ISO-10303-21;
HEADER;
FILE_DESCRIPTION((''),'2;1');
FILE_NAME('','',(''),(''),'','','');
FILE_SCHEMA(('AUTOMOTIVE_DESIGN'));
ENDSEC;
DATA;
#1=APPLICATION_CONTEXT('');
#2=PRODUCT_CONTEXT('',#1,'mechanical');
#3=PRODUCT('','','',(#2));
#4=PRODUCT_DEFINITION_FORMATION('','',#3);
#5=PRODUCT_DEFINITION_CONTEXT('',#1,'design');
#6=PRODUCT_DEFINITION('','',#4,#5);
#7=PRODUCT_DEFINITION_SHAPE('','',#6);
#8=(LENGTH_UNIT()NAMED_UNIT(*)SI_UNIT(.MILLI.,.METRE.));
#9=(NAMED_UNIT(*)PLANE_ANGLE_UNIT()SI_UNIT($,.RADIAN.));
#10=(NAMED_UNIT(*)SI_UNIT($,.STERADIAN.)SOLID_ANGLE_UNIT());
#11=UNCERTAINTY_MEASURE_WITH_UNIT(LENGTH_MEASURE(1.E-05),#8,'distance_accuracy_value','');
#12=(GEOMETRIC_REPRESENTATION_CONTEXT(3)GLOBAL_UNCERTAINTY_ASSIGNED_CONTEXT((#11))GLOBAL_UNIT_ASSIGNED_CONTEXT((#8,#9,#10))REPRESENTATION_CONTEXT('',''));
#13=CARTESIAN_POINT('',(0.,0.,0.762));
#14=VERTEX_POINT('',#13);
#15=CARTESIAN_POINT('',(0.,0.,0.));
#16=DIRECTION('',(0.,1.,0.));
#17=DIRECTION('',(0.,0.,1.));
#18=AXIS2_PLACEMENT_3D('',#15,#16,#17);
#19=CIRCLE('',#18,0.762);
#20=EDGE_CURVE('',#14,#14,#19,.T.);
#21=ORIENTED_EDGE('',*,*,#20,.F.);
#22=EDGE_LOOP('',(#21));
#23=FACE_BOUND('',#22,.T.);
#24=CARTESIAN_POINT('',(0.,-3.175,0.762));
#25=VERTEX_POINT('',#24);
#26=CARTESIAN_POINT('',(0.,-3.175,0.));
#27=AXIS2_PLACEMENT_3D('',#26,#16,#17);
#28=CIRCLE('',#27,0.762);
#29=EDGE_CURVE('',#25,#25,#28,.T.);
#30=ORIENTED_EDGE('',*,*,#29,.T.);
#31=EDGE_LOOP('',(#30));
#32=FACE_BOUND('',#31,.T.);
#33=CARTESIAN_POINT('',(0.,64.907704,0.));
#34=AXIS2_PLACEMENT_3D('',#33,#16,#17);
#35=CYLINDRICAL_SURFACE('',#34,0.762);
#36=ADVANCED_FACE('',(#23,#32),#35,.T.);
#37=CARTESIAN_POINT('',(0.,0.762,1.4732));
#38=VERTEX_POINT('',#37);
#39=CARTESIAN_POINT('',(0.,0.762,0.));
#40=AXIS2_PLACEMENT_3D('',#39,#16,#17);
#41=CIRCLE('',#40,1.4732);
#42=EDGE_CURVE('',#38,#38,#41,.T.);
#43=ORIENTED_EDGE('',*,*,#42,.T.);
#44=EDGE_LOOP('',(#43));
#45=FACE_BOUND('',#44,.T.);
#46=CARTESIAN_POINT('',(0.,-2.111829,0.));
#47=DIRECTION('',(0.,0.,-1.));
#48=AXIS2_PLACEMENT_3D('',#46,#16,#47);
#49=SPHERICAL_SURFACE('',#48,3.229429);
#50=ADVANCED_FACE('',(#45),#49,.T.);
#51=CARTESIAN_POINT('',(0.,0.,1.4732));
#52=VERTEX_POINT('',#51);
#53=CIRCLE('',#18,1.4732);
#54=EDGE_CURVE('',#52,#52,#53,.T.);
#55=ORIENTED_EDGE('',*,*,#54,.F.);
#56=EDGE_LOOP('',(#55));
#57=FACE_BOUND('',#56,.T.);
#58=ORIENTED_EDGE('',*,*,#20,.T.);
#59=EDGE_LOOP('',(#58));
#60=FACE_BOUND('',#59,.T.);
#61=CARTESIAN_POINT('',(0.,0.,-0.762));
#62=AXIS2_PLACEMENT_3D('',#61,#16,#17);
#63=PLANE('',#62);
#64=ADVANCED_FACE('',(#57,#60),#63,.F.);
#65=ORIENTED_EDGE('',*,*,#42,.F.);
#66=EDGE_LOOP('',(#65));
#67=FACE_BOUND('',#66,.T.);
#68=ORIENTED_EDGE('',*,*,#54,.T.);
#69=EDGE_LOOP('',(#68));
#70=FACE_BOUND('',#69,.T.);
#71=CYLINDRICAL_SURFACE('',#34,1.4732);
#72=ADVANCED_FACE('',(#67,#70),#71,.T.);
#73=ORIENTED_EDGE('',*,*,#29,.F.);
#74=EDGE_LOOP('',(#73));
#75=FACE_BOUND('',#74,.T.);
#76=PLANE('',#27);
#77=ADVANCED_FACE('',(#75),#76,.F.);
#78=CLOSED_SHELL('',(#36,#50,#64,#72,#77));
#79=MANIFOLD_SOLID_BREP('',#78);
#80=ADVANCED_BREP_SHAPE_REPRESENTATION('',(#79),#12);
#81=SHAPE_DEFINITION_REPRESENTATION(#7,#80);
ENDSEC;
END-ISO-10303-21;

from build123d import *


with BuildPart() as part:
    # Sketch1 → Revolve1 (revolve)
    with BuildSketch(Plane(origin=(0, 0, 0), x_dir=(0, 0, -1), z_dir=(1, 0, 0)), mode=Mode.PRIVATE) as revolve1_sk:
        with BuildLine():
            Line((0, -3.175), (0, 1.1176))
            ThreePointArc((0, 1.1176), (0.757754842, 1.027441487), (1.4732, 0.762))
            Line((1.4732, 0.762), (1.4732, 0))
            Line((1.4732, 0), (0.762, 0))
            Line((0.762, 0), (0.762, -3.175))
            Line((0.762, -3.175), (0, -3.175))
        make_face()
    revolve(revolve1_sk.sketch.rotate(Axis((0, 64.907703711, 0), (0, -1, 0)), 180), axis=Axis((0, 64.907703711, 0), (0, -1, 0)))  # turned: the seam where the file's is


solid = part.part
